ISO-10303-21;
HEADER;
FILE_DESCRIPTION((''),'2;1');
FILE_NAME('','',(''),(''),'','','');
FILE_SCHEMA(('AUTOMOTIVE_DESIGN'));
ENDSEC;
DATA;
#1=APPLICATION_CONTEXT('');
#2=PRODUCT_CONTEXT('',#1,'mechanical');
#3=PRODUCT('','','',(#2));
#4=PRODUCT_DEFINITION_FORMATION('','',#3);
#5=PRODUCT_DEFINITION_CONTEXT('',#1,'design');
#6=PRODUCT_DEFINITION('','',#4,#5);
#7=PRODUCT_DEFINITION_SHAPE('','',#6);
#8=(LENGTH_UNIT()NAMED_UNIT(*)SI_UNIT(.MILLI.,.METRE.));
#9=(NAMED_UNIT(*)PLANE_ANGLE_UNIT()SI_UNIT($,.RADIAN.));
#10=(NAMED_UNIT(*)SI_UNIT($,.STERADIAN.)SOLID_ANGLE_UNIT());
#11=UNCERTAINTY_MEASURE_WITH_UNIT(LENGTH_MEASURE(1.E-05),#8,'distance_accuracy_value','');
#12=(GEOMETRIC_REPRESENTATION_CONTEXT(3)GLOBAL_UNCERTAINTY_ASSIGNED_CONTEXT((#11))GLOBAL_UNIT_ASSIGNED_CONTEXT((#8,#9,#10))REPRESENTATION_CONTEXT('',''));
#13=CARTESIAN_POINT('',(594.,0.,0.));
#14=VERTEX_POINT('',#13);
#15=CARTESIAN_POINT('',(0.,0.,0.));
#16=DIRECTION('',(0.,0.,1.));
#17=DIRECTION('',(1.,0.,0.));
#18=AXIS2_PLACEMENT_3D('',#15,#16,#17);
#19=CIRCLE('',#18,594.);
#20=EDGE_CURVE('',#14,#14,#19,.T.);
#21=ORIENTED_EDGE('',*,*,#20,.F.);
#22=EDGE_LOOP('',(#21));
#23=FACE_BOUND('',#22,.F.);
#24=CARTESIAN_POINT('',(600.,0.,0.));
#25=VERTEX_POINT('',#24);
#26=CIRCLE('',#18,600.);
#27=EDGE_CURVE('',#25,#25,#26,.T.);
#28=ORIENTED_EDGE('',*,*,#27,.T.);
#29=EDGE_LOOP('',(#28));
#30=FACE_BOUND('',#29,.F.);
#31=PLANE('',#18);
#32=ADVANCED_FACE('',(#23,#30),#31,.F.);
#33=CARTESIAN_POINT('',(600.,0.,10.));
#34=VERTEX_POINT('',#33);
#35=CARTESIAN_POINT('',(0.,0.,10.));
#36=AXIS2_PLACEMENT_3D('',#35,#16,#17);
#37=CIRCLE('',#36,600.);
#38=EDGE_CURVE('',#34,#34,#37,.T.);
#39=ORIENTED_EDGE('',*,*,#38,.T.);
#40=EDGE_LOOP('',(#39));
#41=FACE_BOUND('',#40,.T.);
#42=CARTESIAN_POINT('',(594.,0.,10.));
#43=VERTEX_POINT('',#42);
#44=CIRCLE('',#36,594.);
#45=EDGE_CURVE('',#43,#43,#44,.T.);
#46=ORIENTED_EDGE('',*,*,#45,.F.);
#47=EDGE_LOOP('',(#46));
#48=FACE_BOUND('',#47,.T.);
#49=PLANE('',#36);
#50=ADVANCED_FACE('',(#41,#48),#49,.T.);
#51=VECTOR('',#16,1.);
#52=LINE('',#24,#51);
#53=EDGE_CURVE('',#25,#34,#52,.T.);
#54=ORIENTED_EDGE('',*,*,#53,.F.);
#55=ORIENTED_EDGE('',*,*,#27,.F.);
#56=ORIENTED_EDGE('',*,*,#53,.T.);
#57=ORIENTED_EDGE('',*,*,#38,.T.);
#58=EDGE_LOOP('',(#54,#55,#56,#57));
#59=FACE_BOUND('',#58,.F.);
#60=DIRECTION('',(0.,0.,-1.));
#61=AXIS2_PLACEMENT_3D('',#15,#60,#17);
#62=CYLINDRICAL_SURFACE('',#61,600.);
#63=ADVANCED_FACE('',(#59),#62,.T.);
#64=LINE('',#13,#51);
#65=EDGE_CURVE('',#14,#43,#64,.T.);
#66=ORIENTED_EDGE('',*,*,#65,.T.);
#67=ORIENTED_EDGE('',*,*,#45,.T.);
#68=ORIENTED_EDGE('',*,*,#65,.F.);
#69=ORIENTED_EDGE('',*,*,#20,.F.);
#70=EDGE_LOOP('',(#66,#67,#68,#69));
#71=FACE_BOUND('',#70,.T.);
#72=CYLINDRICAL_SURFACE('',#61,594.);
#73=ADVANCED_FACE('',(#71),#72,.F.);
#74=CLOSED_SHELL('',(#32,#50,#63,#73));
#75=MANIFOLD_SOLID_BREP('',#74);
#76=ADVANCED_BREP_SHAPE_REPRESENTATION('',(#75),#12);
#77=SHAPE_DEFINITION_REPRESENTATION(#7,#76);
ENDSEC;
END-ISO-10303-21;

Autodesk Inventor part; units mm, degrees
ref_plane "YZ Plane" through (0, 0, 0) normal (1, 0, 0) x (0, 1, 0)
ref_plane "XZ Plane" through (0, 0, 0) normal (0, 1, 0) x (-1, 0, 0)
ref_plane "XY Plane" through (0, 0, 0) normal (0, 0, 1) x (1, 0, 0)
sketch "Sketch1" plane through (0, 0, 0) normal (0, 0, 1) x (1, 0, 0)
  circle A0 centre (0, 0) radius 600
  circle A1 centre (0, 0) radius 594
  dimension "d0" = 1200
  dimension "d1" = 6
extrude "Extrusion1" add sketch "Sketch1" along normal blind 10
sketch "Sketch2" plane through (0, 0, 0) normal (0, 0, 1) x (1, 0, 0)
  circle A0 centre (0, 0) radius 517.8803 construction
  circle A1 centre (0, 0) radius 400.2499 construction
  circle A2 centre (0, 0) radius 256.3201 construction
  circle A3 centre (90, -90) radius 95
  circle A4 centre (-90, -90) radius 95
  circle A5 centre (-90, 90) radius 95
  circle A6 centre (90, 90) radius 95
  line L0 (90, 90) -> (-90, 90)
  line L1 (-90, 90) -> (-90, -90)
  line L2 (-90, -90) -> (90, -90)
  line L3 (90, -90) -> (90, 90)
  line L4 (90, 90) -> (-90, -90) construction
  line L5 (-90, 90) -> (90, -90) construction
  circle A7 centre (-240, -90) radius 95
  circle A8 centre (-390, -90) radius 95
  circle A9 centre (-510, -90) radius 95
  circle A10 centre (-90, -270) radius 95
  circle A11 centre (-90, -500) radius 95
  circle A12 centre (-290, -270) radius 95
  circle A13 centre (-450, -270) radius 95
  circle A14 centre (-340, -400) radius 95
  circle A15 centre (-240, 90) radius 95
  circle A16 centre (-390, 90) radius 95
  circle A17 centre (-510, 90) radius 95
  line L6 (-90, -90) -> (-510, -90)
  line L7 (0, 0) -> (0, -500)
  line L8 (0, -500) -> (-90, -500)
  line L9 (0, -400) -> (-340, -400)
  line L10 (0, -270) -> (-450, -270)
  circle A18 centre (-190, -400) radius 95
  dimension "d4" = 190
  dimension "d7" = 90
  dimension "d8" = 270
  dimension "d9" = 400
  dimension "d10" = 500
  dimension "d11" = 240
  dimension "d12" = 390
  dimension "d13" = 510
  dimension "d14" = 90
  dimension "d15" = 90
  dimension "d16" = 290
  dimension "d17" = 450
  dimension "d18" = 190
  dimension "d19" = 340
  dimension "d20" = 90
sketch "Sketch3" plane through (0, 0, 0) normal (0, 0, 1) x (1, 0, 0)
  circle A0 centre (-104.0992, -233.3488) radius 95
  circle A1 centre (-161.9131, -395.3117) radius 95
  circle A2 centre (-91.7953, -514.3257) radius 95
  circle A3 centre (-280.9346, -260.412) radius 95
  circle A4 centre (-299.5406, -418.8761) radius 95
  circle A5 centre (-250.7395, 99.5106) radius 95
  circle A6 centre (-395.8303, 87.9315) radius 95
  circle A7 centre (-535.2648, 91.0733) radius 95
  circle A8 centre (-460.3613, -287.8718) radius 95
  circle A9 centre (-531.2922, -111.9436) radius 95
  circle A10 centre (-392.3143, -102.4845) radius 95
  circle A11 centre (0, 0) radius 542.9574 construction
  circle A12 centre (-253.2201, -93.0176) radius 95
  circle A13 centre (-90.4998, -81.9426) radius 95
  circle A14 centre (85.6841, -88.1302) radius 95
  circle A15 centre (-90.4998, 88.0537) radius 95
  circle A16 centre (0, 0) radius 405.4794 construction
  circle A17 centre (0, 0) radius 269.7641 construction
  circle A18 centre (85.6841, 88.0537) radius 95
  line L0 (0, 0) -> (0, -542.9574)
  line L1 (0, -75.783) -> (-531.2922, -111.9436)
  line L2 (0, -217.4173) -> (-460.3613, -287.8718)
  circle A19 centre (0, 0) radius 600
  line L3 (0, -367.5891) -> (-299.5406, -418.8761)
  line L4 (-91.7953, -514.3257) -> (0, -514.3257)
  point P0 (0, 0)
  dimension "d21" = 190
  dimension "d22" = 1200
equation "\"d14\" = d7"
equation "\"d15\" = d7"
equation "\"BendRadius\" = Thickness"
equation "\"BendReliefWidth\" = Thickness"
equation "\"BendReliefDepth\" = 0.5 * Thickness"
equation "\"CornerReliefSize\" = 4 * Thickness"
equation "\"MinimumRemnant\" = 2 * Thickness"
equation "\"TransitionRadius\" = BendRadius"
equation "\"JacobiRadiusSize\" = BendRadius"
equation "\"GapSize\" = Thickness"
equation "\"way_tube_L1\" = 1"
equation "\"way_tube_L2\" = 1"
equation "\"way_tube_L3\" = 1"
equation "\"way_tube_L4\" = 1"
equation "\"way_tube_L5\" = 120"
equation "\"way_tube_L6\" = 90"
equation "\"way_tube_L7\" = 20"
equation "\"way_tube_L8\" = 90"
equation "\"way_tube_L9\" = 80"
equation "\"way_tube_L10\" = 80"
equation "\"Thickness\" = 3.048"
properties part number "SLM 1699 DIM filter-distribution-system 1000"
